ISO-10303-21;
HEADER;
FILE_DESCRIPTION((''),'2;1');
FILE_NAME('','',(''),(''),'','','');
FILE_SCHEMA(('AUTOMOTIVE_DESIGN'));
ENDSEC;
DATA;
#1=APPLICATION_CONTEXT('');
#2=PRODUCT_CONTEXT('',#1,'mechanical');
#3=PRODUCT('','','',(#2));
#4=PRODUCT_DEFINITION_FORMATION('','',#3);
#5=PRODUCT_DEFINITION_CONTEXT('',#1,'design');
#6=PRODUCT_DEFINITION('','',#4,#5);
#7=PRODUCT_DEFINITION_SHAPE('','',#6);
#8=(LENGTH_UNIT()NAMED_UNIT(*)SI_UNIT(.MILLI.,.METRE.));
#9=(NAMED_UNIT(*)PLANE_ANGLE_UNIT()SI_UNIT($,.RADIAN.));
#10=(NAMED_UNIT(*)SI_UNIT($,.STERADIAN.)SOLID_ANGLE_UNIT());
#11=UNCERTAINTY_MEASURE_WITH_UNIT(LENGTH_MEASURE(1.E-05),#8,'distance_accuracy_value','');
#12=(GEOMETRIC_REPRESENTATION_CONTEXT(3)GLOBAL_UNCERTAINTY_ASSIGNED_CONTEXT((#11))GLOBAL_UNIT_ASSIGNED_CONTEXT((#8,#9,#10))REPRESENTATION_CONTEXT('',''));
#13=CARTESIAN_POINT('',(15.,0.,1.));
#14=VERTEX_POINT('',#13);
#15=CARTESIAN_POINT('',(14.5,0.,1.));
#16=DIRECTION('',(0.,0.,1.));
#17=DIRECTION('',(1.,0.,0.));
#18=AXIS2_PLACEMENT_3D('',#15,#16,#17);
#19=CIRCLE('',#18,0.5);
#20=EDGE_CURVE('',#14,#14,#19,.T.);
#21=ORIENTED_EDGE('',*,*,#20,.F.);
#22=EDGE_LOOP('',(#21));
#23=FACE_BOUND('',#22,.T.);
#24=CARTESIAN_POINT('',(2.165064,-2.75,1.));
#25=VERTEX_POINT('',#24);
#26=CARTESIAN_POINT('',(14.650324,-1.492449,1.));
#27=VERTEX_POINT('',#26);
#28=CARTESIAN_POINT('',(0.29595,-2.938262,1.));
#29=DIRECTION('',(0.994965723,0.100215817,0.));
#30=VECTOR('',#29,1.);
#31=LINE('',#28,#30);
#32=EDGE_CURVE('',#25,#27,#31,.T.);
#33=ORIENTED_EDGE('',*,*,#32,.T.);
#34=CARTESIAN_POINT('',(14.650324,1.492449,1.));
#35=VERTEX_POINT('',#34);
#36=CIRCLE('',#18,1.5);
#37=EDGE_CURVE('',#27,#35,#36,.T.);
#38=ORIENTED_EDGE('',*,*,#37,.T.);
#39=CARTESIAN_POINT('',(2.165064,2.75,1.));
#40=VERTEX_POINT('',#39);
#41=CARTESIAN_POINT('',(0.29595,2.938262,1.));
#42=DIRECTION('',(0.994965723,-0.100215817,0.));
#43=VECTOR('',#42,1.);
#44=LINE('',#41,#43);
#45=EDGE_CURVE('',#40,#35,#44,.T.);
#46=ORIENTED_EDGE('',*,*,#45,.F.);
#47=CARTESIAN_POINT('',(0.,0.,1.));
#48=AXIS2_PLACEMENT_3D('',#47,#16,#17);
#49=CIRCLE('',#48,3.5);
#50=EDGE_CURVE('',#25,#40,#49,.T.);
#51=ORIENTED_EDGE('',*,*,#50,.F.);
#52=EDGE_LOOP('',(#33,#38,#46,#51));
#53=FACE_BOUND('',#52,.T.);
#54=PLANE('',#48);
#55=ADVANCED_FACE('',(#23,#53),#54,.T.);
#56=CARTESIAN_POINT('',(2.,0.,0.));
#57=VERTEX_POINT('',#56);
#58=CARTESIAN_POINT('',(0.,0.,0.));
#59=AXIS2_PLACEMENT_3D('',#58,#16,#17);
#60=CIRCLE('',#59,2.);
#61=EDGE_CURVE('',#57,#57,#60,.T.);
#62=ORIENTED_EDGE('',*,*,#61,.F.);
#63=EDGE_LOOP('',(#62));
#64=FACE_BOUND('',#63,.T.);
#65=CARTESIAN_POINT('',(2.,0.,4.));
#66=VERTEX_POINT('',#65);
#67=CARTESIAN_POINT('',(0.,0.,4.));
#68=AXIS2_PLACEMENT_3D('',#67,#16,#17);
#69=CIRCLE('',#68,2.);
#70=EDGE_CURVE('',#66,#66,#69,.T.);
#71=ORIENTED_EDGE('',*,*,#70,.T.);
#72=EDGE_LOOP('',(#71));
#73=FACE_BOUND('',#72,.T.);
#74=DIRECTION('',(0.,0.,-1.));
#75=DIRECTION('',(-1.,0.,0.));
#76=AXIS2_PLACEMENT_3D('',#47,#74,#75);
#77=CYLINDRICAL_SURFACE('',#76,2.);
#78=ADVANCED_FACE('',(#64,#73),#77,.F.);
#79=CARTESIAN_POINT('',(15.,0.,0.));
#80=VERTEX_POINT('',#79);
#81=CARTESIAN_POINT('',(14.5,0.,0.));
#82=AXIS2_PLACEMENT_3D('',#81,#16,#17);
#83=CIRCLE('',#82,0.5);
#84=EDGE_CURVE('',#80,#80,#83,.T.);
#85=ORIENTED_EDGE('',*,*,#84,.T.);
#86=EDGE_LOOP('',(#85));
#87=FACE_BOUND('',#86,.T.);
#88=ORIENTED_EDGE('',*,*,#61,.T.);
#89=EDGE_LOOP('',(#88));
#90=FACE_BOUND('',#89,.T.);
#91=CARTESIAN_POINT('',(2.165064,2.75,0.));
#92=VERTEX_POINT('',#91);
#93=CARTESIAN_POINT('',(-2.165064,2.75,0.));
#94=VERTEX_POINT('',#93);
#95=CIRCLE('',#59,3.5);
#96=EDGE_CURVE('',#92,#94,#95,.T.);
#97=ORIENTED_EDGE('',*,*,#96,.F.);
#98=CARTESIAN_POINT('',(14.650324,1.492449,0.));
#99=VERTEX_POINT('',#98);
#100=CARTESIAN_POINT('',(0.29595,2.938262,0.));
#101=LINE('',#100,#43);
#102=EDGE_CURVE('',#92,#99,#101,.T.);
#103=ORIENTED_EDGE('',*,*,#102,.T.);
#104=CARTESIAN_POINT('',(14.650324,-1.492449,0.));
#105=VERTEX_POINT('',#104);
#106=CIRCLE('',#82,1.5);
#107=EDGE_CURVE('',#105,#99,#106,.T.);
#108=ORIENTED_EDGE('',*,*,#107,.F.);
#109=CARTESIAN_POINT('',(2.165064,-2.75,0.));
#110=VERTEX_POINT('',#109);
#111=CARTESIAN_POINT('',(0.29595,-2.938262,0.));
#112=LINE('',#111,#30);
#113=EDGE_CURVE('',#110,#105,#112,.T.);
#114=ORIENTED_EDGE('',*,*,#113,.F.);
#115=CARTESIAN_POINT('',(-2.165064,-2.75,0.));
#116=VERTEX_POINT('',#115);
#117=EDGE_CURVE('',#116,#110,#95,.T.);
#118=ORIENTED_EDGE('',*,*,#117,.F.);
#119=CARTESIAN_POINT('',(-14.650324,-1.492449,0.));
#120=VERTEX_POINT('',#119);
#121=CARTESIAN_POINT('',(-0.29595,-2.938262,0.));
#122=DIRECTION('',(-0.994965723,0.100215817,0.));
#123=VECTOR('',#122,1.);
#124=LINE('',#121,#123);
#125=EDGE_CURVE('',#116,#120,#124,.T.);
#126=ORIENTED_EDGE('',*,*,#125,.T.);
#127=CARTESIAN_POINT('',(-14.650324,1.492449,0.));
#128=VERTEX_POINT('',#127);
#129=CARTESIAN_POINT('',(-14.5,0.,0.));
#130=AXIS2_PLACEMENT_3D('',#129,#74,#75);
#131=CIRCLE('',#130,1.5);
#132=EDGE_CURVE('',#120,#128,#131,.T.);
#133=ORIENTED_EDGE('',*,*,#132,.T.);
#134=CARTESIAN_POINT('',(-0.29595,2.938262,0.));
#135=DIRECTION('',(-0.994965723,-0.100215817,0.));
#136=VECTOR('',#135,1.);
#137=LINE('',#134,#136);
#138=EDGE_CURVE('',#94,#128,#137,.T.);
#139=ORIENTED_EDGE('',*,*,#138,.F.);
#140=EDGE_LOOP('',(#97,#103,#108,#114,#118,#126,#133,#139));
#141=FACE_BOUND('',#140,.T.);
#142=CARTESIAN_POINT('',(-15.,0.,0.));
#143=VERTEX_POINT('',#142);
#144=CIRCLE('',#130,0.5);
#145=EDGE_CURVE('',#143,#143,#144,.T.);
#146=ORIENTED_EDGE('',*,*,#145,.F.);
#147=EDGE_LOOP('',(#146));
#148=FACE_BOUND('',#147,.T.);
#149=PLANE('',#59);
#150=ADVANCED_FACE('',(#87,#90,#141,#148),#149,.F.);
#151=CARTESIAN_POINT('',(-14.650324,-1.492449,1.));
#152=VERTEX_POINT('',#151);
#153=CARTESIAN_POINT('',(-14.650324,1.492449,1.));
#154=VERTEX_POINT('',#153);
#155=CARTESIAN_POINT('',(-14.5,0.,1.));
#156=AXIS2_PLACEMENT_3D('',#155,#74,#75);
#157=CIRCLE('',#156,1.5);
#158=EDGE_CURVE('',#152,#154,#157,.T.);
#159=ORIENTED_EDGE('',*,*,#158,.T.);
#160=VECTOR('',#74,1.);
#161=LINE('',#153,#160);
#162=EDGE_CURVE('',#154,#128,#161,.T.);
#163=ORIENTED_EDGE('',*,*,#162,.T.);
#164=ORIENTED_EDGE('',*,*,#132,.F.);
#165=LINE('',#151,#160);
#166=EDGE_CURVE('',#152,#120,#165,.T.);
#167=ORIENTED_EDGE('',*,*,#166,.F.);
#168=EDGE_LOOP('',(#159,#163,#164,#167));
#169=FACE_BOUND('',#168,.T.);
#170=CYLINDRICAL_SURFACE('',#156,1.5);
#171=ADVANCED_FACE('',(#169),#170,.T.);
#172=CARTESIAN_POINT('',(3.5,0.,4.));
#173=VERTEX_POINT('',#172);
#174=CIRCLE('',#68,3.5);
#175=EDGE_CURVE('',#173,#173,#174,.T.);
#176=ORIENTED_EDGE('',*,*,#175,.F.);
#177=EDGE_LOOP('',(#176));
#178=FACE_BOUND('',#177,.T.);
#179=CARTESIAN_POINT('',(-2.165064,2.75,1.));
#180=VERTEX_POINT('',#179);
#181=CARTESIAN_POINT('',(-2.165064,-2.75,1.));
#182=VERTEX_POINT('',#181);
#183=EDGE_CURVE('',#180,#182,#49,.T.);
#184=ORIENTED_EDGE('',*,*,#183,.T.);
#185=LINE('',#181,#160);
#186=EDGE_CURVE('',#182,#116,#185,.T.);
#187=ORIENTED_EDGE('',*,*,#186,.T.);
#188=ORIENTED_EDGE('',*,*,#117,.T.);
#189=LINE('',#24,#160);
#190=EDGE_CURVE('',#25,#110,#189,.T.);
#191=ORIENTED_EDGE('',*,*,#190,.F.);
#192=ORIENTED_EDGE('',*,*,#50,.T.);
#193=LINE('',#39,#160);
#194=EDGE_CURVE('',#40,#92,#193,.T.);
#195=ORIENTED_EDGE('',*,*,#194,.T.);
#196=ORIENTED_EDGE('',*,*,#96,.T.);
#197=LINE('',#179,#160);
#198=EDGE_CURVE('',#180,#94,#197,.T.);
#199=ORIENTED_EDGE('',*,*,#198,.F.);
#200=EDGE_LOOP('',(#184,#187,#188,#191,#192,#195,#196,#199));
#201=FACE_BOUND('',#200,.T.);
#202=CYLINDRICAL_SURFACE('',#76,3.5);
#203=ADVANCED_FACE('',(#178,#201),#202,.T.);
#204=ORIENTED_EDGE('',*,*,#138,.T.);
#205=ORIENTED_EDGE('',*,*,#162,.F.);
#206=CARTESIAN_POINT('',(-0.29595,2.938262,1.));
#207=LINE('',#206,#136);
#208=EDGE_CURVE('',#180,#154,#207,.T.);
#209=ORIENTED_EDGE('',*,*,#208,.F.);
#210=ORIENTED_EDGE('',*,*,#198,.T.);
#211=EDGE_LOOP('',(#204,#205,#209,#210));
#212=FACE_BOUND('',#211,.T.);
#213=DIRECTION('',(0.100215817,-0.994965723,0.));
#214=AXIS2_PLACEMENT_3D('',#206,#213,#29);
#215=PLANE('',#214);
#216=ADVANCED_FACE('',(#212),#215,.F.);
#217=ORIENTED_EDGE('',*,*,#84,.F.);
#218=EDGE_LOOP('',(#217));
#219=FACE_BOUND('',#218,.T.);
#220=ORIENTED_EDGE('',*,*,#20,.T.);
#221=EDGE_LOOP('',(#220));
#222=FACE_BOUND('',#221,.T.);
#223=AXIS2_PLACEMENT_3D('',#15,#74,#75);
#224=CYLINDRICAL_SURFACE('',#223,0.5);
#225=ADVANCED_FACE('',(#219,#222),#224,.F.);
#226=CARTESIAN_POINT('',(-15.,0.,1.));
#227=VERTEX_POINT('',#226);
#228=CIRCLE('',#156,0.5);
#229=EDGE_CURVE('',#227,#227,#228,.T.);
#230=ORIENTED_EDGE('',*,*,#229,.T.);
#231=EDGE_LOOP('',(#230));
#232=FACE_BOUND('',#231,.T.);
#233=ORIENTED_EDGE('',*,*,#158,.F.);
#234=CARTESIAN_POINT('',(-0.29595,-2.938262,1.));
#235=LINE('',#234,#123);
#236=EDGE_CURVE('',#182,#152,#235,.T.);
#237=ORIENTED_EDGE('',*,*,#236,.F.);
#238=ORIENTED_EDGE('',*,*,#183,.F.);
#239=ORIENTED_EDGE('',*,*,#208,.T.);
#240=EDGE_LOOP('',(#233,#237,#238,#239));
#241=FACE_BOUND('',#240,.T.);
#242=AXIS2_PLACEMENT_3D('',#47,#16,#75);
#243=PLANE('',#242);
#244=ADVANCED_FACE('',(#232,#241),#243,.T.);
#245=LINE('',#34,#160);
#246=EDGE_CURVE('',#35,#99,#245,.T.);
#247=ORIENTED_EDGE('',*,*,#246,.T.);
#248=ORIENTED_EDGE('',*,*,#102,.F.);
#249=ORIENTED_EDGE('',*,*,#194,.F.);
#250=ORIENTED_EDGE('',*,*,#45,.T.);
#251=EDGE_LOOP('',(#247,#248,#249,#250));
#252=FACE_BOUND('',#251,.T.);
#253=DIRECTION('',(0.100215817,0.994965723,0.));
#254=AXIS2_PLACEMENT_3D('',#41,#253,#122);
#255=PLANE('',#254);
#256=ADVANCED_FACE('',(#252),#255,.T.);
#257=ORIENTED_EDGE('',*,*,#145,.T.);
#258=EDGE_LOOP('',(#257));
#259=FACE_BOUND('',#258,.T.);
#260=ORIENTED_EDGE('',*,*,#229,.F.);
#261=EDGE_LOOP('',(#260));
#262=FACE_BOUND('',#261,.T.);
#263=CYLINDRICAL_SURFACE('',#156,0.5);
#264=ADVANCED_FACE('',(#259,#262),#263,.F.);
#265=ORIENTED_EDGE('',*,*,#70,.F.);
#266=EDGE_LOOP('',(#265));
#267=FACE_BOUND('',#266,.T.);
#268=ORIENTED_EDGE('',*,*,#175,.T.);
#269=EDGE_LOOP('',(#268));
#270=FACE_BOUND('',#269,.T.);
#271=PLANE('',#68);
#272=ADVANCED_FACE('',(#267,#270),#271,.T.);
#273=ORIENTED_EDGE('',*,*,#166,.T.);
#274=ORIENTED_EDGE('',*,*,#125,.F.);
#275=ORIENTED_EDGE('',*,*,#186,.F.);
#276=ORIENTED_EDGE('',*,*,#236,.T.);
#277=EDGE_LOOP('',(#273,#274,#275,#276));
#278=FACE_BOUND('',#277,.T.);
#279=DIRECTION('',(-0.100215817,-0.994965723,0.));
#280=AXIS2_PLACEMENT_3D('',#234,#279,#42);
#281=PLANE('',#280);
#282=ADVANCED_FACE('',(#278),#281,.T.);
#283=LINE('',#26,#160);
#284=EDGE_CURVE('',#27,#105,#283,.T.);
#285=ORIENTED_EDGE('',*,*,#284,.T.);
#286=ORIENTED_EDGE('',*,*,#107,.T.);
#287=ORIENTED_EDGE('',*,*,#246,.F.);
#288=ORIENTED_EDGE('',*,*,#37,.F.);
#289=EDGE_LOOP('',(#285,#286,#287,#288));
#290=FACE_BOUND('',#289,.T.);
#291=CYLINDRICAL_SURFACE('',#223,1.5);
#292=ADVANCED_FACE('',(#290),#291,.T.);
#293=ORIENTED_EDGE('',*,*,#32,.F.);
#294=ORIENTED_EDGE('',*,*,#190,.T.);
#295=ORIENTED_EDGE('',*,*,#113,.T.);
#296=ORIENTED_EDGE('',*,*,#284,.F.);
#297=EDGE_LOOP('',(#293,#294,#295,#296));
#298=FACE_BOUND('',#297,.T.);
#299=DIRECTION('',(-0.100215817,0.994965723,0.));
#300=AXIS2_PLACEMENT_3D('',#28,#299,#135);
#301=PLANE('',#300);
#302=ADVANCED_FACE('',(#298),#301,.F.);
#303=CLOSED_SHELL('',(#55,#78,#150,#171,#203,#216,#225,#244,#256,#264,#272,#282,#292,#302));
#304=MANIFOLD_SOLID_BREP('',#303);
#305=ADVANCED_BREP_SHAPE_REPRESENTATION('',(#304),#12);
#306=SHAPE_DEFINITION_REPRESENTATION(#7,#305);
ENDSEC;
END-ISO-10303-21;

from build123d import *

# Parameters (mm, degrees)
SKETCH_1_R      = 2
SKETCH_1_R_2    = 0.5
EXTRUDE_2_DEPTH = 1
SKETCH_2_R      = 3.5
SKETCH_2_R_2    = 2
EXTRUDE_3_DEPTH = 3


with BuildPart() as part:
    # 草图1 → 凸台-拉伸2 (new body)
    with BuildSketch(Plane.XY):
        with BuildLine():
            Line((14.650323726, 1.492448585), (2.165063509, 2.75))
            ThreePointArc((2.165063509, 2.75), (-3.5, 0), (2.165063509, -2.75))
            Line((2.165063509, -2.75), (14.650323726, -1.492448585))
            ThreePointArc((14.650323726, -1.492448585), (16, 0), (14.650323726, 1.492448585))
        make_face()
        Circle(SKETCH_1_R, mode=Mode.SUBTRACT)
        with Locations((14.5, 0)):
            Circle(SKETCH_1_R_2, mode=Mode.SUBTRACT)
    extrude_2 = extrude(amount=EXTRUDE_2_DEPTH)

    # 草图2 → 凸台-拉伸3 (add)
    with BuildSketch(Plane.XY.offset(1)):
        Circle(SKETCH_2_R)
        Circle(SKETCH_2_R_2, mode=Mode.SUBTRACT)
    extrude(amount=EXTRUDE_3_DEPTH)

    # 镜向1: 凸台-拉伸2 across plane
    add(extrude_2.mirror(Plane(origin=(0, 0, 0), x_dir=(0, 0, 1), z_dir=(1, 0, 0))))


solid = part.part
